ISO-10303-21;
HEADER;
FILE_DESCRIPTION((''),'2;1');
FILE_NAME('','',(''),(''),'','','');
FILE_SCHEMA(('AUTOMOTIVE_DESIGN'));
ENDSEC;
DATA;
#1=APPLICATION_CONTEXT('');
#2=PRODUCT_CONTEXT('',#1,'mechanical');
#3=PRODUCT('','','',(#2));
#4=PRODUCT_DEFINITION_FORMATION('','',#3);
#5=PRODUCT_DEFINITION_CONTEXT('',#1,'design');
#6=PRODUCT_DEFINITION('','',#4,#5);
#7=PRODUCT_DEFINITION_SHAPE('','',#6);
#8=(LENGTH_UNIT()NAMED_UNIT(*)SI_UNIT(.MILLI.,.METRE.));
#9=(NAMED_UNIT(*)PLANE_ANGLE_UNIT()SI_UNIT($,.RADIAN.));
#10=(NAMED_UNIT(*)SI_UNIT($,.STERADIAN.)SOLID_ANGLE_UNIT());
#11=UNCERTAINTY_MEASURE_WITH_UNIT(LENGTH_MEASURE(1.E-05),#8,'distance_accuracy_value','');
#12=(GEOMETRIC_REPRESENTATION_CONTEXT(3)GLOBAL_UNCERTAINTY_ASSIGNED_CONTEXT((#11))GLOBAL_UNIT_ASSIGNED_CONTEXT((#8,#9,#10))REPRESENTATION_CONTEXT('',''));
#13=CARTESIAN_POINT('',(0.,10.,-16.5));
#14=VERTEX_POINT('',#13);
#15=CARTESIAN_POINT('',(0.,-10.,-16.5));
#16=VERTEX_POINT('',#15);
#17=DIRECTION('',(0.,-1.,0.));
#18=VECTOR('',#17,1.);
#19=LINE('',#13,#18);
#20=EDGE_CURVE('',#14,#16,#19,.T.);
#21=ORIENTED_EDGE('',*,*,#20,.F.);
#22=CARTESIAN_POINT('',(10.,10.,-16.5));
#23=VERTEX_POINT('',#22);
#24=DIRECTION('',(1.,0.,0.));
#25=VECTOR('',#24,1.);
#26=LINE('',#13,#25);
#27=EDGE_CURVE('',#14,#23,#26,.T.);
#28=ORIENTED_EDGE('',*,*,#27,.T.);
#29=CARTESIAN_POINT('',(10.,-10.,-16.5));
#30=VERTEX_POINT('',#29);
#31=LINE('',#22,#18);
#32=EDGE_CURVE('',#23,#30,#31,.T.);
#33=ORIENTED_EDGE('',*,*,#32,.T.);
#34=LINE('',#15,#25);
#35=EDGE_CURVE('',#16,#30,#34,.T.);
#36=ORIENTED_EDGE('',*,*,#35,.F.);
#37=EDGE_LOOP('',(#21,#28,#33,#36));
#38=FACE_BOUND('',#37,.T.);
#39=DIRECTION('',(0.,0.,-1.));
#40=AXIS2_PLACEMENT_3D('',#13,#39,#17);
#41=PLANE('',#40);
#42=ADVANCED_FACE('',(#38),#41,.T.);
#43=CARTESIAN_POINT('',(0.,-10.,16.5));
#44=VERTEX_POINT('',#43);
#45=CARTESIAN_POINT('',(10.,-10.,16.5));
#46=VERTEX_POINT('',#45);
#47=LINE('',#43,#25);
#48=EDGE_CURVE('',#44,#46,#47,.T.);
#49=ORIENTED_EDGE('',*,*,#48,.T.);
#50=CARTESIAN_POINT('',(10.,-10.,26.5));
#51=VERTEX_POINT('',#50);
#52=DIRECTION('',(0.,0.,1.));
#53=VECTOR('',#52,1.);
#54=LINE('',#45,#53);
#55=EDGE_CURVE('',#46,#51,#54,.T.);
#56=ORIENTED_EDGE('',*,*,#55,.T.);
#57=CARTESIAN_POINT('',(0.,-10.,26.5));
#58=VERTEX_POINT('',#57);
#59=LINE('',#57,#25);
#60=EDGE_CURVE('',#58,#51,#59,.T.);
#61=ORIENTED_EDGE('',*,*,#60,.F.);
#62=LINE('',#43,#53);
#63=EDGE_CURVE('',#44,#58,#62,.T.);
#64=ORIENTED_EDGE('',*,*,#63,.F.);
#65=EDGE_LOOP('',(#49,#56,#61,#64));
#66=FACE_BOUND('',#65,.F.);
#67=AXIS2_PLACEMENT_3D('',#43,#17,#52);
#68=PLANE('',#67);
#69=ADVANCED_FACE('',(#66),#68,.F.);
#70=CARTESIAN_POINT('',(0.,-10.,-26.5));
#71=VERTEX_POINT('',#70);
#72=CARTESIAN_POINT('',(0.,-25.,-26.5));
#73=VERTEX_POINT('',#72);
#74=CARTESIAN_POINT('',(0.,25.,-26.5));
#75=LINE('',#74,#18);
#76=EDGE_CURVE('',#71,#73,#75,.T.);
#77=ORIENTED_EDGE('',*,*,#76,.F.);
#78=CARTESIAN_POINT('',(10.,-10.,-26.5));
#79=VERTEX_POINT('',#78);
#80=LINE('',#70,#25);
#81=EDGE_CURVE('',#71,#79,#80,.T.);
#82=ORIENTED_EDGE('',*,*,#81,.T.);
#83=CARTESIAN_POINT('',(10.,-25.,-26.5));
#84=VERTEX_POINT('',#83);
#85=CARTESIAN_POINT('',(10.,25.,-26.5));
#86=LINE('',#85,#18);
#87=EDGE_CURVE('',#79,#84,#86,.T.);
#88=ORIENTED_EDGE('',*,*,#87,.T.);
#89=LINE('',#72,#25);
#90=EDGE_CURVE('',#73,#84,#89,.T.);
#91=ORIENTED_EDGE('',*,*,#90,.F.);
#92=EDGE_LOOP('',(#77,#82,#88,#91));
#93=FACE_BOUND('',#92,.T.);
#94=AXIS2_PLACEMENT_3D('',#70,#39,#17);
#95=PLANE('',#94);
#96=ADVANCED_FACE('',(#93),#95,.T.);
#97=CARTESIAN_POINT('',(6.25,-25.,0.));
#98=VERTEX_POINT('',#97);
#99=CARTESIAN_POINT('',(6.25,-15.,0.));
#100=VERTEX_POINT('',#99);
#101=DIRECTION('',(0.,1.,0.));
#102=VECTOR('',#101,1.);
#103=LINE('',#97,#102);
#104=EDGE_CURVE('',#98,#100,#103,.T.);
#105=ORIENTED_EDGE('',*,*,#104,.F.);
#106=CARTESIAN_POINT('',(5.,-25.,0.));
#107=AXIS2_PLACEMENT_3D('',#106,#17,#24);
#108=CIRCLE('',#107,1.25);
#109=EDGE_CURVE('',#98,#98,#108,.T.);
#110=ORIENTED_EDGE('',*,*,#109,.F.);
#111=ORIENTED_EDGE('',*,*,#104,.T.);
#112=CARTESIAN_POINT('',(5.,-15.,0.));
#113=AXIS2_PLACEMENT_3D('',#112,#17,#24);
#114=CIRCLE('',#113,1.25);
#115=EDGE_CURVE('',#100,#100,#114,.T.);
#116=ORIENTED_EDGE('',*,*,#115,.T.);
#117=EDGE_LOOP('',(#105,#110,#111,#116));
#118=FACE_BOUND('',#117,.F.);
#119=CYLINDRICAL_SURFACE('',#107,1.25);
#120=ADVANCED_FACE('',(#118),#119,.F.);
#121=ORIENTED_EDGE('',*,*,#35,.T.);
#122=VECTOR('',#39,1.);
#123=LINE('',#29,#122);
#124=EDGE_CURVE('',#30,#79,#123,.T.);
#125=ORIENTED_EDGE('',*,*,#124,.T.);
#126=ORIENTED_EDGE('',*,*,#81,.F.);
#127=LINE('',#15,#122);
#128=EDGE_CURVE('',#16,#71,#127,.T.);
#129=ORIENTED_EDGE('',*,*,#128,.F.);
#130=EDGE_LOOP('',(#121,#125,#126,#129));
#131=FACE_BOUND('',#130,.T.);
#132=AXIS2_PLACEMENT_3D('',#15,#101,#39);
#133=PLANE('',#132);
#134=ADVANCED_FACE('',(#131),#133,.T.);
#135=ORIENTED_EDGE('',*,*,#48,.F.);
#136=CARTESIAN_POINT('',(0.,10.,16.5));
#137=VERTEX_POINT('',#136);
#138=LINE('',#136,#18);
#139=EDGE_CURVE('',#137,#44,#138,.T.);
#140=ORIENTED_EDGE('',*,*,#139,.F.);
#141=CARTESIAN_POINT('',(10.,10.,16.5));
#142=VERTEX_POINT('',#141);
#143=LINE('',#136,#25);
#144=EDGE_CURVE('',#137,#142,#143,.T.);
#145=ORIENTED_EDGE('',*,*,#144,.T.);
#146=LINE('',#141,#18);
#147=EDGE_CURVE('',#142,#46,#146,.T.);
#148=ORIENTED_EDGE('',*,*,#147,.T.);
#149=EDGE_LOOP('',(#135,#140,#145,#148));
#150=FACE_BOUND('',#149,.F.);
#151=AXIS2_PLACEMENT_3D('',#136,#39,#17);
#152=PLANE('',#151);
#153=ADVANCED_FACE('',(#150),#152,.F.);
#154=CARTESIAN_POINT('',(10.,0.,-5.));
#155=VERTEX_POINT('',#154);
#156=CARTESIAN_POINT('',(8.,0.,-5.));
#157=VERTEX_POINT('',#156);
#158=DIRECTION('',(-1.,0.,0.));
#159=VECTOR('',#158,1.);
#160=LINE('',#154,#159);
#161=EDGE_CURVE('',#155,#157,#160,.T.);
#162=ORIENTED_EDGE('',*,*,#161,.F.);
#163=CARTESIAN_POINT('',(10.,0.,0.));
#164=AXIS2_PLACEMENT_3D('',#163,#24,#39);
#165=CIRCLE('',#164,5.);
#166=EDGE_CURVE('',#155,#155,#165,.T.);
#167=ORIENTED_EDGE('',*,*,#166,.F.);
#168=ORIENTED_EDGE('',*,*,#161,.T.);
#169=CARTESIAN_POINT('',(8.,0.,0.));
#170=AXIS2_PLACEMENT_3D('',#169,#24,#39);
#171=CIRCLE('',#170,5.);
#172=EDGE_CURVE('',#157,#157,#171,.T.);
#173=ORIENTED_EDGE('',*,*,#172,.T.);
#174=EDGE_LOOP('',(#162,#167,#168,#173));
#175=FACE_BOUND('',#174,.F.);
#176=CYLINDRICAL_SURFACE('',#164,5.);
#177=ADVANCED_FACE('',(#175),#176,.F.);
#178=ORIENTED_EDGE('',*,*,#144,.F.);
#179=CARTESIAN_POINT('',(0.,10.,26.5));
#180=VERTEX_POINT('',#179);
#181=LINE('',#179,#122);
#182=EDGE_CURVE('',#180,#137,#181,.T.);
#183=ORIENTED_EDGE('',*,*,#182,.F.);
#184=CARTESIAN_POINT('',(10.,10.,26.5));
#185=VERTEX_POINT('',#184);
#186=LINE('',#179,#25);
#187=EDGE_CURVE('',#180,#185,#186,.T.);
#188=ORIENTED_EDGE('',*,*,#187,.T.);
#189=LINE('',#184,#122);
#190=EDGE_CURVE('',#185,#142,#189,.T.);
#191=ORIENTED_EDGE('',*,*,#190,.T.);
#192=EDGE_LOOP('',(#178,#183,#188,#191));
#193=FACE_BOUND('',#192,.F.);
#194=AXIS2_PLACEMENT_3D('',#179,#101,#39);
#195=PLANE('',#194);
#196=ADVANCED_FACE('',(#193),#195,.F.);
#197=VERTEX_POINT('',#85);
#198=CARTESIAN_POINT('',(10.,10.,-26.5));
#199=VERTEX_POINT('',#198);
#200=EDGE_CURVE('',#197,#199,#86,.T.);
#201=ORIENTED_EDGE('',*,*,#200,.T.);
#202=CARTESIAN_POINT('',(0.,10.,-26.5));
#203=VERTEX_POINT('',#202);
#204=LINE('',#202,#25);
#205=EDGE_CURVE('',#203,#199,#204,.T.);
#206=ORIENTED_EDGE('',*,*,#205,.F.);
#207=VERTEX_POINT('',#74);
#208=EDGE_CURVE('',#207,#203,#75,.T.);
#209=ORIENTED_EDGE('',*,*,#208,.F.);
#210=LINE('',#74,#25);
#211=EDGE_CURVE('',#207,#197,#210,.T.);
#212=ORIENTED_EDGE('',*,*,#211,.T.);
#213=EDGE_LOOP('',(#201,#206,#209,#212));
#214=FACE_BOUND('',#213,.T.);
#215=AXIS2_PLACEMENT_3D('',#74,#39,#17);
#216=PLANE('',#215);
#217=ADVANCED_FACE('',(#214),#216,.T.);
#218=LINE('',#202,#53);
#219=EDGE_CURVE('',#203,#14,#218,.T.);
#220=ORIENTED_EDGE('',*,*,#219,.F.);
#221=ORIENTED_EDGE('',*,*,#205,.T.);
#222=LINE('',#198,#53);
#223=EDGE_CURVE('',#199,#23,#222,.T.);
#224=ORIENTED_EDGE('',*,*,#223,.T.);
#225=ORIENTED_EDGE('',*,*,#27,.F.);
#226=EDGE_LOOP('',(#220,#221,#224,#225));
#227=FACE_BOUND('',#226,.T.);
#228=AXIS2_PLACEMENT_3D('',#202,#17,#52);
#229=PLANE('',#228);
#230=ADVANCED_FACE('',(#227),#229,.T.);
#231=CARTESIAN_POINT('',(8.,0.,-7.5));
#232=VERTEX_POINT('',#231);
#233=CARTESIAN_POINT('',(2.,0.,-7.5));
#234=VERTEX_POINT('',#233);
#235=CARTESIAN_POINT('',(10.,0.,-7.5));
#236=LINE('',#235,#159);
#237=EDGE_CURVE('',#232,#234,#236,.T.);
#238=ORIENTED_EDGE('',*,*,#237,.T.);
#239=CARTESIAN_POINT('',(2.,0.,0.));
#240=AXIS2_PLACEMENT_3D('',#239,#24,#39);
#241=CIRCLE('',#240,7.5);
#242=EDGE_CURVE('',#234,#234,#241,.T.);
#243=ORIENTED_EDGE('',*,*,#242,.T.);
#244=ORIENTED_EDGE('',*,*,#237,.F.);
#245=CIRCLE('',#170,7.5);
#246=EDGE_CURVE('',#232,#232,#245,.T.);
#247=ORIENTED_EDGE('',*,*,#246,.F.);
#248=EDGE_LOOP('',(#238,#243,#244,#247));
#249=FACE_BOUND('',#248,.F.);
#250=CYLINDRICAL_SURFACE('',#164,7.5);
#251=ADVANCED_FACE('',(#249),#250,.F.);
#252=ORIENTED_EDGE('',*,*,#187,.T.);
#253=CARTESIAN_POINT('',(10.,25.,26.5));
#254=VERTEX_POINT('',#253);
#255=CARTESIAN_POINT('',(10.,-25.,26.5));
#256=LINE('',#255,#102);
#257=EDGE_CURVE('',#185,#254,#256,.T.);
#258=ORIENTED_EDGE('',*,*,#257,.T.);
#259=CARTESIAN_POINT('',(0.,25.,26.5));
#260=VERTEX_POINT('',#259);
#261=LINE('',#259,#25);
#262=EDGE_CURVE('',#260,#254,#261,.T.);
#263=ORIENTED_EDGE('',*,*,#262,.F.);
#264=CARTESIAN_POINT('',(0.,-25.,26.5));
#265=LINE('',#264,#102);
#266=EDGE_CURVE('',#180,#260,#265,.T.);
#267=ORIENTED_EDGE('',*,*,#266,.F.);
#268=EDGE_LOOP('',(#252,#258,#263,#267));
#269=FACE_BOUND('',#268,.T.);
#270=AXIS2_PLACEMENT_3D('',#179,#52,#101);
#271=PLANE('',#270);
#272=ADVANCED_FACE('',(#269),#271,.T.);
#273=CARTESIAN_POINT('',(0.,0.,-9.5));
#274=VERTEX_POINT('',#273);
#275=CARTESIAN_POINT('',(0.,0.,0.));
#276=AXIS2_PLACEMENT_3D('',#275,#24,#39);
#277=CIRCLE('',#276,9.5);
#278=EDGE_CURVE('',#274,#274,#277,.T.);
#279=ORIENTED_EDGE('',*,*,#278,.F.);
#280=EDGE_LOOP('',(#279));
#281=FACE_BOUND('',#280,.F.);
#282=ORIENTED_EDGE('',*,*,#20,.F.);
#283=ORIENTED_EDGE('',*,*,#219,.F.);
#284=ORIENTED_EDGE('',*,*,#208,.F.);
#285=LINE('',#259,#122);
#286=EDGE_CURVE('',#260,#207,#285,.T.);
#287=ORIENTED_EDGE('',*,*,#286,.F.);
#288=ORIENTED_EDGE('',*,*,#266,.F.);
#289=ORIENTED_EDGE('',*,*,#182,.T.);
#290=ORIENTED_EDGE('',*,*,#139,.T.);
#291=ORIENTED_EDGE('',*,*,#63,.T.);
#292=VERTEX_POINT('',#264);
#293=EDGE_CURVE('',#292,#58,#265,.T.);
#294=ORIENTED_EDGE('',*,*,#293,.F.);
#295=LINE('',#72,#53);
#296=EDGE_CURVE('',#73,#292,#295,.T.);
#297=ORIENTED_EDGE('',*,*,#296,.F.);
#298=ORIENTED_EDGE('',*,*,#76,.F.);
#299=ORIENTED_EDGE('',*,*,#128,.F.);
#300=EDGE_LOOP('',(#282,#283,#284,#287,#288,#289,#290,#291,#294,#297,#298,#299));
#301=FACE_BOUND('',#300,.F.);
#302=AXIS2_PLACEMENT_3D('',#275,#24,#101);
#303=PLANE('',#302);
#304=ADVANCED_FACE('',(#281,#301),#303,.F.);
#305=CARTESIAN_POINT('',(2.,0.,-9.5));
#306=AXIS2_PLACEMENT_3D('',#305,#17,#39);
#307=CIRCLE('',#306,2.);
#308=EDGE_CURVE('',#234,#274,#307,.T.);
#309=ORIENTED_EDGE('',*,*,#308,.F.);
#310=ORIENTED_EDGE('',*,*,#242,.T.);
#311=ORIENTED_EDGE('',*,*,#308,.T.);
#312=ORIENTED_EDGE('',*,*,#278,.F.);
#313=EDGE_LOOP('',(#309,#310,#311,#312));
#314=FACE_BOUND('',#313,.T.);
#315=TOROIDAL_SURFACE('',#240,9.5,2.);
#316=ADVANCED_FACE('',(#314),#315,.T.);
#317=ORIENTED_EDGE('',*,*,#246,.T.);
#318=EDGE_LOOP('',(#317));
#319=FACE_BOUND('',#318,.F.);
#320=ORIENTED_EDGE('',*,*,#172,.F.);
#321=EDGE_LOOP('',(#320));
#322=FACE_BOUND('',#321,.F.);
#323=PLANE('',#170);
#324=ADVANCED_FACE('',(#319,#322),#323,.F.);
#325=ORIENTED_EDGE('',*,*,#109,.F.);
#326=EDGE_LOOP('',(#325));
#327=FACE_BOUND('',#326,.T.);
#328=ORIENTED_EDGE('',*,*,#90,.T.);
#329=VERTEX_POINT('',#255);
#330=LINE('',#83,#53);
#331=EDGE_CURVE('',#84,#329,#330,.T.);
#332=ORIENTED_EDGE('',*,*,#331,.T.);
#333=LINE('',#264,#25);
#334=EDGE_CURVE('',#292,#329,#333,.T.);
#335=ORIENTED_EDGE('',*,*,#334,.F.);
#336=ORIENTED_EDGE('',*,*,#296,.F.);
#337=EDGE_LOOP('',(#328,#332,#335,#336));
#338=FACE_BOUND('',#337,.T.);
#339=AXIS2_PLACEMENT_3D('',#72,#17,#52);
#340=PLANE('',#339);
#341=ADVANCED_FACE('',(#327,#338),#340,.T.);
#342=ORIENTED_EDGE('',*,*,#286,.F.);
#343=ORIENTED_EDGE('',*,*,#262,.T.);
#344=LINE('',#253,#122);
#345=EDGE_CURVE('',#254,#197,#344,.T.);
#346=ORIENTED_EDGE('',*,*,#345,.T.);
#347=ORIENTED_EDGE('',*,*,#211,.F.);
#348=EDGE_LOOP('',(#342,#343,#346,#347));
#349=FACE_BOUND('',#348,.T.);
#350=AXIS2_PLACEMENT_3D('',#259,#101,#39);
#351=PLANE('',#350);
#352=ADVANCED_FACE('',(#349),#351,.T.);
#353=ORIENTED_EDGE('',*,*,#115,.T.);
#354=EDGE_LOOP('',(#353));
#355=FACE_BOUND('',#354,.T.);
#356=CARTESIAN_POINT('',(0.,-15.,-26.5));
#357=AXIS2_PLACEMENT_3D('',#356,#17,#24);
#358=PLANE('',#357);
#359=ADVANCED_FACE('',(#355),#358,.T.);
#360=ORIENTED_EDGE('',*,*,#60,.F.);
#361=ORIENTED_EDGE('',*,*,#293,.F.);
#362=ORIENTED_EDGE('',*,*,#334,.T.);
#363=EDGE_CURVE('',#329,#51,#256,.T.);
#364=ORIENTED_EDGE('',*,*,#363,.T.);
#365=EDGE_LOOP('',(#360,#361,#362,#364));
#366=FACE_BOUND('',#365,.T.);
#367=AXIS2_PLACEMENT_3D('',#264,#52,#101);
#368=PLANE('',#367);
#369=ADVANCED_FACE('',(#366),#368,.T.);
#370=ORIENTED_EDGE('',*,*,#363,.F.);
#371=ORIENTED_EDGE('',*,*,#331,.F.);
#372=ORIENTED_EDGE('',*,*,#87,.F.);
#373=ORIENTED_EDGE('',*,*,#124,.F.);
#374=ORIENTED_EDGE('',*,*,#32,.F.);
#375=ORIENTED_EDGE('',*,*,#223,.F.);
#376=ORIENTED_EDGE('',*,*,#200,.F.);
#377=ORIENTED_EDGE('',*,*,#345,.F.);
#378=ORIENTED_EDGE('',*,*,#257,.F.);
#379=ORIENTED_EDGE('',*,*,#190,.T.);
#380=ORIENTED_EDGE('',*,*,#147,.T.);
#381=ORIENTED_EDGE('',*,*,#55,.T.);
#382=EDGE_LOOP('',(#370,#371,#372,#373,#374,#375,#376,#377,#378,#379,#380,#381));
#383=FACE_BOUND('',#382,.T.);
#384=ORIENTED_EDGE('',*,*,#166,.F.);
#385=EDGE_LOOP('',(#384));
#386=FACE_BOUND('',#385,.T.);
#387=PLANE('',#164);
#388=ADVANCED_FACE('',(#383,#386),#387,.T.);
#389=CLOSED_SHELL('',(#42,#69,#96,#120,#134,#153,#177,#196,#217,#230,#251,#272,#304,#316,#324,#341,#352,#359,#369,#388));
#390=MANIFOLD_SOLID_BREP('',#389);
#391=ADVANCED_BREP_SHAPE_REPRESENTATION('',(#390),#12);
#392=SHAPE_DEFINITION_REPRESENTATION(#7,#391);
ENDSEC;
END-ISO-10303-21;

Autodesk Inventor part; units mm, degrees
ref_plane "YZ Plane" through (0, 0, 0) normal (1, 0, 0) x (0, 1, 0)
ref_plane "XZ Plane" through (0, 0, 0) normal (0, 1, 0) x (-1, 0, 0)
ref_plane "XY Plane" through (0, 0, 0) normal (0, 0, 1) x (1, 0, 0)
sketch "Sketch3" plane through (0, 0, 0) normal (1, 0, 0) x (0, 1, 0)
  line L0 (25, -26.5) -> (-25, -26.5)
  line L1 (-25, -26.5) -> (-25, 26.5)
  line L2 (-25, 26.5) -> (25, 26.5)
  line L3 (25, 26.5) -> (25, -26.5)
  line L4 (25, -26.5) -> (-25, 26.5) construction
  line L5 (-25, -26.5) -> (25, 26.5) construction
  line L6 (25, 26.5) -> (10, 26.5)
  line L7 (10, 26.5) -> (10, 16.5)
  line L8 (10, 16.5) -> (-10, 16.5)
  line L9 (-10, 16.5) -> (-10, 26.5)
  line L10 (-10, 26.5) -> (-25, 26.5)
  line L11 (25, -26.5) -> (10, -26.5)
  line L12 (10, -26.5) -> (10, -16.5)
  line L13 (10, -16.5) -> (-10, -16.5)
  line L14 (-10, -16.5) -> (-10, -26.5)
  line L15 (-10, -26.5) -> (-25, -26.5)
  point P0 (0, 0)
  dimension "d0" = 50
  dimension "d1" = 53
  dimension "d2" = 15
  dimension "d3" = 10
  dimension "d4" = 20
  dimension "d5" = 10
  dimension "d6" = 15
  dimension "d7" = 10
  dimension "d8" = 20
  dimension "d9" = 10
  dimension "d10" = 15
extrude "Extrusion1" add sketch "Sketch3" along normal blind 10 contours L0 L12 L13 L14 L1 L2 L9 L8 L7 L3
sketch "Sketch5" plane through (10, 0, 0) normal (1, 0, 0) x (0, 0, -1)
  circle A0 centre (0, 0) radius 7.5
  circle A1 centre (0, 0) radius 5
  dimension "d13" = 15
  dimension "d33" = 10
sketch "Sketch6" plane through (0, -25, -26.5) normal (0, -1, 0) x (1, 0, 0)
  circle A0 centre (5, 26.5) radius 1.25
  dimension "d30" = 2.5
extrude "Extrusion2" cut sketch "Sketch5" against normal blind 10 contours A0 | A1
extrude "Extrusion3" cut sketch "Sketch6" against normal blind 10
extrude "Extrusion4" add sketch "Sketch5" against normal blind 2
fillet "Fillet1" radius 2 1 edges at (0, 0, 7.5)
properties part number "prepazka_kola"
